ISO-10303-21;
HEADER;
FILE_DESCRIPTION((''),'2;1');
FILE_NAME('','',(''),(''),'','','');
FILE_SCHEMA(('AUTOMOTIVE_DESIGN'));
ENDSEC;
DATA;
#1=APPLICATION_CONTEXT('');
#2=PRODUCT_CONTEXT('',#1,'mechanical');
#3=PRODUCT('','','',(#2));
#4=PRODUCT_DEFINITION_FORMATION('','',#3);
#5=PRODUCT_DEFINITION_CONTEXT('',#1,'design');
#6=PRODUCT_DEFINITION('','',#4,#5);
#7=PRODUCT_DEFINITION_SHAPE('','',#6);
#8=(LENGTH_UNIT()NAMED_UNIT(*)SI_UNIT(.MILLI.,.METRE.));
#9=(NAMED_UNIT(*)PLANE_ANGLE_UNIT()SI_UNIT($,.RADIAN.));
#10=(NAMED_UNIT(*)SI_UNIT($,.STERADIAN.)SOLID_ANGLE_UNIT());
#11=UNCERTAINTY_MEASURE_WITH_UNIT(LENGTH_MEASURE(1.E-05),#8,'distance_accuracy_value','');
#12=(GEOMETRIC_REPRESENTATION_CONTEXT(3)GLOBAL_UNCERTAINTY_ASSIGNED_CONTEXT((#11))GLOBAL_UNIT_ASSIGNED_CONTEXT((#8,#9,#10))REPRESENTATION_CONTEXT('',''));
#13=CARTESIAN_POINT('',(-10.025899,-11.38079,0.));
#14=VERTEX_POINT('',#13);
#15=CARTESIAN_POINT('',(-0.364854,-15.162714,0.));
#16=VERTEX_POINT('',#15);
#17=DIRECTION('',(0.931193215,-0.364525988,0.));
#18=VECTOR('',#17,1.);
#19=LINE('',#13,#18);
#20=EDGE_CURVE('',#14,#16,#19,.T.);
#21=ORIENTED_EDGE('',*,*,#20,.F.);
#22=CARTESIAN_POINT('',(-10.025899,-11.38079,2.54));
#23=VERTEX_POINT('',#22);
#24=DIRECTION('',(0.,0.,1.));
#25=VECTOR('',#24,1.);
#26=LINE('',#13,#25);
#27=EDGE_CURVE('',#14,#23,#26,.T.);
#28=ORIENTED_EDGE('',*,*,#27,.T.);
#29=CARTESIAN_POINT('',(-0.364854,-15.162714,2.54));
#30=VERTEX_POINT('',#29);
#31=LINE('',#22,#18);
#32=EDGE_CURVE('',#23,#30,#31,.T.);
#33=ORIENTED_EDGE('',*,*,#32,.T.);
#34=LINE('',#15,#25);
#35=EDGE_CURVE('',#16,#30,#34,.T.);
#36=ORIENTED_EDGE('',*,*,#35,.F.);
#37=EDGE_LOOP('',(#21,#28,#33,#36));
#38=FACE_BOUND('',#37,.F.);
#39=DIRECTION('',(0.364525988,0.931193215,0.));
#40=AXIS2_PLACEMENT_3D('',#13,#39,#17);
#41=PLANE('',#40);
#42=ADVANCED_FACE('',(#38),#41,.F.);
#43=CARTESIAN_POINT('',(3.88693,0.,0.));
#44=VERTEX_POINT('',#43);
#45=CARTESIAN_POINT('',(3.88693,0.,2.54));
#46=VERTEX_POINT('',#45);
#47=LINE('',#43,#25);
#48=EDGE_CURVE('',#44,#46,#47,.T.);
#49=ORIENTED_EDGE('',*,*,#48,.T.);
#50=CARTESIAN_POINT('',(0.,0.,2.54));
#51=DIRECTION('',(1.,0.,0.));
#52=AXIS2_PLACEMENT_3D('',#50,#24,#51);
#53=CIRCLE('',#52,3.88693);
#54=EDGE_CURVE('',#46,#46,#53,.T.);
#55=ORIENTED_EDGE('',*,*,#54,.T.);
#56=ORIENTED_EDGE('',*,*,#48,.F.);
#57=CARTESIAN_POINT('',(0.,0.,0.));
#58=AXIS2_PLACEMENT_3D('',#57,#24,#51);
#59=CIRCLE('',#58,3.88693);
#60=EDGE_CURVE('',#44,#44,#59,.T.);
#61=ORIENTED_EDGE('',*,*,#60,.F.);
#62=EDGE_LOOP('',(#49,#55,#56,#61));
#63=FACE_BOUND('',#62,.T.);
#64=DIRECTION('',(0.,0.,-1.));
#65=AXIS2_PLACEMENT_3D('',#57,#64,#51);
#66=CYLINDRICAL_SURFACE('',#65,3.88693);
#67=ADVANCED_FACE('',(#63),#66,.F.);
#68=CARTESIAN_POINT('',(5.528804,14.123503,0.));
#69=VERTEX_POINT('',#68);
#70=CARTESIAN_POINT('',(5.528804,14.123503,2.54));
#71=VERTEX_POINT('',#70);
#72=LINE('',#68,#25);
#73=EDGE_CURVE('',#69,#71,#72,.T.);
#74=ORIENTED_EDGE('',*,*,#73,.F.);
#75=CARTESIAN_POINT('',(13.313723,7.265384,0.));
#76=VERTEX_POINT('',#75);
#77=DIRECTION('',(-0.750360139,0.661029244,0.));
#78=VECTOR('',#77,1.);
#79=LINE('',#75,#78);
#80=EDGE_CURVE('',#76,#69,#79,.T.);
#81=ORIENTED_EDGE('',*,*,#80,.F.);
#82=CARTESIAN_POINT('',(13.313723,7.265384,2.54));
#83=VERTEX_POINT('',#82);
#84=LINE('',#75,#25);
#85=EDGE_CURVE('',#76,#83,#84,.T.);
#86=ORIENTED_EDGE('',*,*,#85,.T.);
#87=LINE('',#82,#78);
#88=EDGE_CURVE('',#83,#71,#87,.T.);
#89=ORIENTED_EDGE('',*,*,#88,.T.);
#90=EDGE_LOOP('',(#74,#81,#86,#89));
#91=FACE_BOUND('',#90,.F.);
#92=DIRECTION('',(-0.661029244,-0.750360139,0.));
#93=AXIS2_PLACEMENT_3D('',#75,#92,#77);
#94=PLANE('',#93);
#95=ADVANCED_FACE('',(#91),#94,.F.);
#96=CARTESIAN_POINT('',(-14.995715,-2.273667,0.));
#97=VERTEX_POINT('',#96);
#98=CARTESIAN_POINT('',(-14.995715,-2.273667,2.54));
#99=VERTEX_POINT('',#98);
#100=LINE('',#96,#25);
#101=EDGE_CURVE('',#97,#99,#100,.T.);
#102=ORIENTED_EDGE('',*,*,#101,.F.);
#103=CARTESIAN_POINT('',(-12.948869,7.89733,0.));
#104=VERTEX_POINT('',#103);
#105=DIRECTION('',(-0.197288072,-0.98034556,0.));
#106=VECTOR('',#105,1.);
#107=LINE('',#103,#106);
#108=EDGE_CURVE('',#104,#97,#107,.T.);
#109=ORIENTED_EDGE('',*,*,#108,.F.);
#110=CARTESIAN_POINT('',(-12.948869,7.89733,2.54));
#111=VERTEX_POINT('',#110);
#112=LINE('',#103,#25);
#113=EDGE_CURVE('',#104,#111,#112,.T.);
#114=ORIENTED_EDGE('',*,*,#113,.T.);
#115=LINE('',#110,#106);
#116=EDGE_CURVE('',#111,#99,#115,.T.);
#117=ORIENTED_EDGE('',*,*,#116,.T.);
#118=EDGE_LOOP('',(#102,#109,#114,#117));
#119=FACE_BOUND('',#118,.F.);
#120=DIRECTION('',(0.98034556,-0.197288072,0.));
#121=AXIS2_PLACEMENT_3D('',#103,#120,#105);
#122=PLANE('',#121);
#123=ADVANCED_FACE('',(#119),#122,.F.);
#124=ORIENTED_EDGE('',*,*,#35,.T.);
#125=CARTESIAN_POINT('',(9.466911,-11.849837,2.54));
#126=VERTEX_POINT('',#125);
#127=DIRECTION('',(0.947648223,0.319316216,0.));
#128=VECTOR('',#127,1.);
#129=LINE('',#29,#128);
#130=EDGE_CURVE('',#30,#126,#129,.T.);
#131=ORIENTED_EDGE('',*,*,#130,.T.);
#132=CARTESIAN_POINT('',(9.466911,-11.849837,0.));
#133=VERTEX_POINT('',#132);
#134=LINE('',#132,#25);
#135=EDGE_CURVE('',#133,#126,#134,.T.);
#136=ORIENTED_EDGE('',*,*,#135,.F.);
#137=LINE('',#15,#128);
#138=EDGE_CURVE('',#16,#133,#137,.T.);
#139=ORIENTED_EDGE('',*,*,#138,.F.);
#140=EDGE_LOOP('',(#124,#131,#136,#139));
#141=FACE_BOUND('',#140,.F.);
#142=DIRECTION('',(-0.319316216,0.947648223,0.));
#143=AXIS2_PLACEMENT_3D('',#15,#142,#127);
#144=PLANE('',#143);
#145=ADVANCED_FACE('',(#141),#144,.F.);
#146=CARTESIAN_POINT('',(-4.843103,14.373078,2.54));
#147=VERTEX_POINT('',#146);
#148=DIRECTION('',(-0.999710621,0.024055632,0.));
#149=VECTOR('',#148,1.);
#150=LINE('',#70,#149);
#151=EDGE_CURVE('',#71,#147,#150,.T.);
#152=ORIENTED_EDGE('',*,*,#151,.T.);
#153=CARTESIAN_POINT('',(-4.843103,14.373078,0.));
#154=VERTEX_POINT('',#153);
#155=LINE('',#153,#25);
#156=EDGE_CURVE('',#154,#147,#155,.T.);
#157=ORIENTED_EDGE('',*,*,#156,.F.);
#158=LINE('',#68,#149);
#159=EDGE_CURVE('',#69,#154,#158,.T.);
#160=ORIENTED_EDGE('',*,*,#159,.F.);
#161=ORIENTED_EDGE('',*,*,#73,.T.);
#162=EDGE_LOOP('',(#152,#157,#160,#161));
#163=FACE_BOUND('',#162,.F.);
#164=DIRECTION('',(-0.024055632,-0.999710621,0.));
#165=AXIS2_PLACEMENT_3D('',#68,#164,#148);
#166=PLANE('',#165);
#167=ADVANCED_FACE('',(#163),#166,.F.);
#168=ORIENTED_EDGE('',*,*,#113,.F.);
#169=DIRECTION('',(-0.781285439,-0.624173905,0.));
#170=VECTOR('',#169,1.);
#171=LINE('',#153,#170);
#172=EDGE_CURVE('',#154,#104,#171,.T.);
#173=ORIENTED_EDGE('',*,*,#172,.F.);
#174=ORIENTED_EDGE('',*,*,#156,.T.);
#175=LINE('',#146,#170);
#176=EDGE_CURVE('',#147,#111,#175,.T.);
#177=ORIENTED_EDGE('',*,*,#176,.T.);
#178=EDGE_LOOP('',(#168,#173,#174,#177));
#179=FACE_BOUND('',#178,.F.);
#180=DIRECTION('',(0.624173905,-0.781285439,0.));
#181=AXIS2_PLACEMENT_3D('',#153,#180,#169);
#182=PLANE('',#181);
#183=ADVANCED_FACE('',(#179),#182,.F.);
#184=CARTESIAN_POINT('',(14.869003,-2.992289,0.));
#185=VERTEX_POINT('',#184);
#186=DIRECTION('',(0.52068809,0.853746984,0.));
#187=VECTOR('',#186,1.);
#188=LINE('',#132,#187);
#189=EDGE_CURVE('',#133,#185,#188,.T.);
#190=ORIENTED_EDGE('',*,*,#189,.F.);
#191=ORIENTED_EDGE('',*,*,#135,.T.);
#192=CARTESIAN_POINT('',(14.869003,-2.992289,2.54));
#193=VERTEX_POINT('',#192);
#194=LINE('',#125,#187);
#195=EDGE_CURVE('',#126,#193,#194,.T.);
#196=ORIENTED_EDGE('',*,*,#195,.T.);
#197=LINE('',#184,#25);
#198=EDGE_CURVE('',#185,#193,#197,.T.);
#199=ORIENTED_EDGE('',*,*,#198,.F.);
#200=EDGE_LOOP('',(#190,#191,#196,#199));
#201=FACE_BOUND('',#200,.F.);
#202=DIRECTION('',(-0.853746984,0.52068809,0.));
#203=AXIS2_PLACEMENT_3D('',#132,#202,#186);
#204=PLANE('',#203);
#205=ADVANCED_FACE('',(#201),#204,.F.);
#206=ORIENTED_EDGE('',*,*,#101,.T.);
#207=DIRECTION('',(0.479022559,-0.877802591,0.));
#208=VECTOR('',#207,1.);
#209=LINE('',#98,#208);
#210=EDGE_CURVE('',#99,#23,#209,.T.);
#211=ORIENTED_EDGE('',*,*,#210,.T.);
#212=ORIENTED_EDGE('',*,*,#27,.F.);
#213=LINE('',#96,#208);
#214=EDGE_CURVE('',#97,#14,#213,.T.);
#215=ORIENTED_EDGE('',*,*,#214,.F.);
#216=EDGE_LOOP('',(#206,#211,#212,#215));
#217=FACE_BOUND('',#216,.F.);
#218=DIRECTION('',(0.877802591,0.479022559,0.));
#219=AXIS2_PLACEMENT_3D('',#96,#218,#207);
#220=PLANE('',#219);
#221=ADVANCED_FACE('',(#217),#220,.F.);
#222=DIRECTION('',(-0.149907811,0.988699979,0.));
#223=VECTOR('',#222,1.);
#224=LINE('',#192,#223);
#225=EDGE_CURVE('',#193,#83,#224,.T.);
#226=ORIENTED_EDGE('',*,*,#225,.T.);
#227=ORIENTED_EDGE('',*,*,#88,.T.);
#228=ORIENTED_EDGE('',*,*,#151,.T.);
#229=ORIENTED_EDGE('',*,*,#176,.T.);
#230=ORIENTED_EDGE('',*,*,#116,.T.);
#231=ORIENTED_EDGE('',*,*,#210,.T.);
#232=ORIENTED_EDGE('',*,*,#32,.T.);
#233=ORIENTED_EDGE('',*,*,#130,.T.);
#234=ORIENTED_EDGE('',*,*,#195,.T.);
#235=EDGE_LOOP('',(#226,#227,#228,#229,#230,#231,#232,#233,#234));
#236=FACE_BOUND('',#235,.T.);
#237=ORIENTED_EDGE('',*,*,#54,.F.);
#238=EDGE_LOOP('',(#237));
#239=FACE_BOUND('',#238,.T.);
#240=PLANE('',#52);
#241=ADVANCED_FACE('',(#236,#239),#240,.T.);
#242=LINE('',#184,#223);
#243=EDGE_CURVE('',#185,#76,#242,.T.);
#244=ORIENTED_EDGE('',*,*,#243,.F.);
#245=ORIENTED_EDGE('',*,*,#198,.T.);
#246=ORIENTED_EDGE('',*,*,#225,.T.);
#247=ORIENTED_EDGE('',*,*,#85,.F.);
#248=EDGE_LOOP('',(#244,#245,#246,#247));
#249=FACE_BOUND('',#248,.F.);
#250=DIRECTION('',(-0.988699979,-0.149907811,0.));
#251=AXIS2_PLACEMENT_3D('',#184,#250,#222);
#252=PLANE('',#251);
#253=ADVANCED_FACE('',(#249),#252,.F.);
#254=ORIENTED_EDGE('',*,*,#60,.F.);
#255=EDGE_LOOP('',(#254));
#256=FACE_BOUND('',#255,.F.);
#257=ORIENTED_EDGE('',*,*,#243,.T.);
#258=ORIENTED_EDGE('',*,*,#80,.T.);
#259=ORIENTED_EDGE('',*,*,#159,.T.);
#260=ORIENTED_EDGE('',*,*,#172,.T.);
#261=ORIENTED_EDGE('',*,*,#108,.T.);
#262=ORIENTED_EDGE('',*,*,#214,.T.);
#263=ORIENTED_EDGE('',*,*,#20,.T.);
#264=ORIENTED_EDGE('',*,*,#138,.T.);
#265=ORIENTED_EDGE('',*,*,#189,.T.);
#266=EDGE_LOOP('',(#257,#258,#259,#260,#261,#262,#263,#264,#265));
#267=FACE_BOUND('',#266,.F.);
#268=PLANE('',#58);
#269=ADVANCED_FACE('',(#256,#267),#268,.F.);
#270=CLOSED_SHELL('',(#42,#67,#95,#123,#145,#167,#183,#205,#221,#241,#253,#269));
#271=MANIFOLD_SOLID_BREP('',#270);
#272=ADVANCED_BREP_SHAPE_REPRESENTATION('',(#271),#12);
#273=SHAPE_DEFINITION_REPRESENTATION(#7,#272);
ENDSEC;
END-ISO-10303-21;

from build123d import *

# Parameters (mm, degrees)
F0_R     = 3.88693
F1_DEPTH = 2.54


with BuildPart() as f1:
    # F0 (on Top) → F1 (new body)
    with BuildSketch(Plane.XY):
        Polygon((-0.364854, -15.162714), (9.466911, -11.849837), (14.869003, -2.992289), (13.313723, 7.265384), (5.528804, 14.123503), (-4.843103, 14.373078), (-12.948869, 7.89733), (-14.995715, -2.273667), (-10.025899, -11.38079), align=None)
        Circle(F0_R, mode=Mode.SUBTRACT)
    extrude(amount=F1_DEPTH)


solid = f1.part
